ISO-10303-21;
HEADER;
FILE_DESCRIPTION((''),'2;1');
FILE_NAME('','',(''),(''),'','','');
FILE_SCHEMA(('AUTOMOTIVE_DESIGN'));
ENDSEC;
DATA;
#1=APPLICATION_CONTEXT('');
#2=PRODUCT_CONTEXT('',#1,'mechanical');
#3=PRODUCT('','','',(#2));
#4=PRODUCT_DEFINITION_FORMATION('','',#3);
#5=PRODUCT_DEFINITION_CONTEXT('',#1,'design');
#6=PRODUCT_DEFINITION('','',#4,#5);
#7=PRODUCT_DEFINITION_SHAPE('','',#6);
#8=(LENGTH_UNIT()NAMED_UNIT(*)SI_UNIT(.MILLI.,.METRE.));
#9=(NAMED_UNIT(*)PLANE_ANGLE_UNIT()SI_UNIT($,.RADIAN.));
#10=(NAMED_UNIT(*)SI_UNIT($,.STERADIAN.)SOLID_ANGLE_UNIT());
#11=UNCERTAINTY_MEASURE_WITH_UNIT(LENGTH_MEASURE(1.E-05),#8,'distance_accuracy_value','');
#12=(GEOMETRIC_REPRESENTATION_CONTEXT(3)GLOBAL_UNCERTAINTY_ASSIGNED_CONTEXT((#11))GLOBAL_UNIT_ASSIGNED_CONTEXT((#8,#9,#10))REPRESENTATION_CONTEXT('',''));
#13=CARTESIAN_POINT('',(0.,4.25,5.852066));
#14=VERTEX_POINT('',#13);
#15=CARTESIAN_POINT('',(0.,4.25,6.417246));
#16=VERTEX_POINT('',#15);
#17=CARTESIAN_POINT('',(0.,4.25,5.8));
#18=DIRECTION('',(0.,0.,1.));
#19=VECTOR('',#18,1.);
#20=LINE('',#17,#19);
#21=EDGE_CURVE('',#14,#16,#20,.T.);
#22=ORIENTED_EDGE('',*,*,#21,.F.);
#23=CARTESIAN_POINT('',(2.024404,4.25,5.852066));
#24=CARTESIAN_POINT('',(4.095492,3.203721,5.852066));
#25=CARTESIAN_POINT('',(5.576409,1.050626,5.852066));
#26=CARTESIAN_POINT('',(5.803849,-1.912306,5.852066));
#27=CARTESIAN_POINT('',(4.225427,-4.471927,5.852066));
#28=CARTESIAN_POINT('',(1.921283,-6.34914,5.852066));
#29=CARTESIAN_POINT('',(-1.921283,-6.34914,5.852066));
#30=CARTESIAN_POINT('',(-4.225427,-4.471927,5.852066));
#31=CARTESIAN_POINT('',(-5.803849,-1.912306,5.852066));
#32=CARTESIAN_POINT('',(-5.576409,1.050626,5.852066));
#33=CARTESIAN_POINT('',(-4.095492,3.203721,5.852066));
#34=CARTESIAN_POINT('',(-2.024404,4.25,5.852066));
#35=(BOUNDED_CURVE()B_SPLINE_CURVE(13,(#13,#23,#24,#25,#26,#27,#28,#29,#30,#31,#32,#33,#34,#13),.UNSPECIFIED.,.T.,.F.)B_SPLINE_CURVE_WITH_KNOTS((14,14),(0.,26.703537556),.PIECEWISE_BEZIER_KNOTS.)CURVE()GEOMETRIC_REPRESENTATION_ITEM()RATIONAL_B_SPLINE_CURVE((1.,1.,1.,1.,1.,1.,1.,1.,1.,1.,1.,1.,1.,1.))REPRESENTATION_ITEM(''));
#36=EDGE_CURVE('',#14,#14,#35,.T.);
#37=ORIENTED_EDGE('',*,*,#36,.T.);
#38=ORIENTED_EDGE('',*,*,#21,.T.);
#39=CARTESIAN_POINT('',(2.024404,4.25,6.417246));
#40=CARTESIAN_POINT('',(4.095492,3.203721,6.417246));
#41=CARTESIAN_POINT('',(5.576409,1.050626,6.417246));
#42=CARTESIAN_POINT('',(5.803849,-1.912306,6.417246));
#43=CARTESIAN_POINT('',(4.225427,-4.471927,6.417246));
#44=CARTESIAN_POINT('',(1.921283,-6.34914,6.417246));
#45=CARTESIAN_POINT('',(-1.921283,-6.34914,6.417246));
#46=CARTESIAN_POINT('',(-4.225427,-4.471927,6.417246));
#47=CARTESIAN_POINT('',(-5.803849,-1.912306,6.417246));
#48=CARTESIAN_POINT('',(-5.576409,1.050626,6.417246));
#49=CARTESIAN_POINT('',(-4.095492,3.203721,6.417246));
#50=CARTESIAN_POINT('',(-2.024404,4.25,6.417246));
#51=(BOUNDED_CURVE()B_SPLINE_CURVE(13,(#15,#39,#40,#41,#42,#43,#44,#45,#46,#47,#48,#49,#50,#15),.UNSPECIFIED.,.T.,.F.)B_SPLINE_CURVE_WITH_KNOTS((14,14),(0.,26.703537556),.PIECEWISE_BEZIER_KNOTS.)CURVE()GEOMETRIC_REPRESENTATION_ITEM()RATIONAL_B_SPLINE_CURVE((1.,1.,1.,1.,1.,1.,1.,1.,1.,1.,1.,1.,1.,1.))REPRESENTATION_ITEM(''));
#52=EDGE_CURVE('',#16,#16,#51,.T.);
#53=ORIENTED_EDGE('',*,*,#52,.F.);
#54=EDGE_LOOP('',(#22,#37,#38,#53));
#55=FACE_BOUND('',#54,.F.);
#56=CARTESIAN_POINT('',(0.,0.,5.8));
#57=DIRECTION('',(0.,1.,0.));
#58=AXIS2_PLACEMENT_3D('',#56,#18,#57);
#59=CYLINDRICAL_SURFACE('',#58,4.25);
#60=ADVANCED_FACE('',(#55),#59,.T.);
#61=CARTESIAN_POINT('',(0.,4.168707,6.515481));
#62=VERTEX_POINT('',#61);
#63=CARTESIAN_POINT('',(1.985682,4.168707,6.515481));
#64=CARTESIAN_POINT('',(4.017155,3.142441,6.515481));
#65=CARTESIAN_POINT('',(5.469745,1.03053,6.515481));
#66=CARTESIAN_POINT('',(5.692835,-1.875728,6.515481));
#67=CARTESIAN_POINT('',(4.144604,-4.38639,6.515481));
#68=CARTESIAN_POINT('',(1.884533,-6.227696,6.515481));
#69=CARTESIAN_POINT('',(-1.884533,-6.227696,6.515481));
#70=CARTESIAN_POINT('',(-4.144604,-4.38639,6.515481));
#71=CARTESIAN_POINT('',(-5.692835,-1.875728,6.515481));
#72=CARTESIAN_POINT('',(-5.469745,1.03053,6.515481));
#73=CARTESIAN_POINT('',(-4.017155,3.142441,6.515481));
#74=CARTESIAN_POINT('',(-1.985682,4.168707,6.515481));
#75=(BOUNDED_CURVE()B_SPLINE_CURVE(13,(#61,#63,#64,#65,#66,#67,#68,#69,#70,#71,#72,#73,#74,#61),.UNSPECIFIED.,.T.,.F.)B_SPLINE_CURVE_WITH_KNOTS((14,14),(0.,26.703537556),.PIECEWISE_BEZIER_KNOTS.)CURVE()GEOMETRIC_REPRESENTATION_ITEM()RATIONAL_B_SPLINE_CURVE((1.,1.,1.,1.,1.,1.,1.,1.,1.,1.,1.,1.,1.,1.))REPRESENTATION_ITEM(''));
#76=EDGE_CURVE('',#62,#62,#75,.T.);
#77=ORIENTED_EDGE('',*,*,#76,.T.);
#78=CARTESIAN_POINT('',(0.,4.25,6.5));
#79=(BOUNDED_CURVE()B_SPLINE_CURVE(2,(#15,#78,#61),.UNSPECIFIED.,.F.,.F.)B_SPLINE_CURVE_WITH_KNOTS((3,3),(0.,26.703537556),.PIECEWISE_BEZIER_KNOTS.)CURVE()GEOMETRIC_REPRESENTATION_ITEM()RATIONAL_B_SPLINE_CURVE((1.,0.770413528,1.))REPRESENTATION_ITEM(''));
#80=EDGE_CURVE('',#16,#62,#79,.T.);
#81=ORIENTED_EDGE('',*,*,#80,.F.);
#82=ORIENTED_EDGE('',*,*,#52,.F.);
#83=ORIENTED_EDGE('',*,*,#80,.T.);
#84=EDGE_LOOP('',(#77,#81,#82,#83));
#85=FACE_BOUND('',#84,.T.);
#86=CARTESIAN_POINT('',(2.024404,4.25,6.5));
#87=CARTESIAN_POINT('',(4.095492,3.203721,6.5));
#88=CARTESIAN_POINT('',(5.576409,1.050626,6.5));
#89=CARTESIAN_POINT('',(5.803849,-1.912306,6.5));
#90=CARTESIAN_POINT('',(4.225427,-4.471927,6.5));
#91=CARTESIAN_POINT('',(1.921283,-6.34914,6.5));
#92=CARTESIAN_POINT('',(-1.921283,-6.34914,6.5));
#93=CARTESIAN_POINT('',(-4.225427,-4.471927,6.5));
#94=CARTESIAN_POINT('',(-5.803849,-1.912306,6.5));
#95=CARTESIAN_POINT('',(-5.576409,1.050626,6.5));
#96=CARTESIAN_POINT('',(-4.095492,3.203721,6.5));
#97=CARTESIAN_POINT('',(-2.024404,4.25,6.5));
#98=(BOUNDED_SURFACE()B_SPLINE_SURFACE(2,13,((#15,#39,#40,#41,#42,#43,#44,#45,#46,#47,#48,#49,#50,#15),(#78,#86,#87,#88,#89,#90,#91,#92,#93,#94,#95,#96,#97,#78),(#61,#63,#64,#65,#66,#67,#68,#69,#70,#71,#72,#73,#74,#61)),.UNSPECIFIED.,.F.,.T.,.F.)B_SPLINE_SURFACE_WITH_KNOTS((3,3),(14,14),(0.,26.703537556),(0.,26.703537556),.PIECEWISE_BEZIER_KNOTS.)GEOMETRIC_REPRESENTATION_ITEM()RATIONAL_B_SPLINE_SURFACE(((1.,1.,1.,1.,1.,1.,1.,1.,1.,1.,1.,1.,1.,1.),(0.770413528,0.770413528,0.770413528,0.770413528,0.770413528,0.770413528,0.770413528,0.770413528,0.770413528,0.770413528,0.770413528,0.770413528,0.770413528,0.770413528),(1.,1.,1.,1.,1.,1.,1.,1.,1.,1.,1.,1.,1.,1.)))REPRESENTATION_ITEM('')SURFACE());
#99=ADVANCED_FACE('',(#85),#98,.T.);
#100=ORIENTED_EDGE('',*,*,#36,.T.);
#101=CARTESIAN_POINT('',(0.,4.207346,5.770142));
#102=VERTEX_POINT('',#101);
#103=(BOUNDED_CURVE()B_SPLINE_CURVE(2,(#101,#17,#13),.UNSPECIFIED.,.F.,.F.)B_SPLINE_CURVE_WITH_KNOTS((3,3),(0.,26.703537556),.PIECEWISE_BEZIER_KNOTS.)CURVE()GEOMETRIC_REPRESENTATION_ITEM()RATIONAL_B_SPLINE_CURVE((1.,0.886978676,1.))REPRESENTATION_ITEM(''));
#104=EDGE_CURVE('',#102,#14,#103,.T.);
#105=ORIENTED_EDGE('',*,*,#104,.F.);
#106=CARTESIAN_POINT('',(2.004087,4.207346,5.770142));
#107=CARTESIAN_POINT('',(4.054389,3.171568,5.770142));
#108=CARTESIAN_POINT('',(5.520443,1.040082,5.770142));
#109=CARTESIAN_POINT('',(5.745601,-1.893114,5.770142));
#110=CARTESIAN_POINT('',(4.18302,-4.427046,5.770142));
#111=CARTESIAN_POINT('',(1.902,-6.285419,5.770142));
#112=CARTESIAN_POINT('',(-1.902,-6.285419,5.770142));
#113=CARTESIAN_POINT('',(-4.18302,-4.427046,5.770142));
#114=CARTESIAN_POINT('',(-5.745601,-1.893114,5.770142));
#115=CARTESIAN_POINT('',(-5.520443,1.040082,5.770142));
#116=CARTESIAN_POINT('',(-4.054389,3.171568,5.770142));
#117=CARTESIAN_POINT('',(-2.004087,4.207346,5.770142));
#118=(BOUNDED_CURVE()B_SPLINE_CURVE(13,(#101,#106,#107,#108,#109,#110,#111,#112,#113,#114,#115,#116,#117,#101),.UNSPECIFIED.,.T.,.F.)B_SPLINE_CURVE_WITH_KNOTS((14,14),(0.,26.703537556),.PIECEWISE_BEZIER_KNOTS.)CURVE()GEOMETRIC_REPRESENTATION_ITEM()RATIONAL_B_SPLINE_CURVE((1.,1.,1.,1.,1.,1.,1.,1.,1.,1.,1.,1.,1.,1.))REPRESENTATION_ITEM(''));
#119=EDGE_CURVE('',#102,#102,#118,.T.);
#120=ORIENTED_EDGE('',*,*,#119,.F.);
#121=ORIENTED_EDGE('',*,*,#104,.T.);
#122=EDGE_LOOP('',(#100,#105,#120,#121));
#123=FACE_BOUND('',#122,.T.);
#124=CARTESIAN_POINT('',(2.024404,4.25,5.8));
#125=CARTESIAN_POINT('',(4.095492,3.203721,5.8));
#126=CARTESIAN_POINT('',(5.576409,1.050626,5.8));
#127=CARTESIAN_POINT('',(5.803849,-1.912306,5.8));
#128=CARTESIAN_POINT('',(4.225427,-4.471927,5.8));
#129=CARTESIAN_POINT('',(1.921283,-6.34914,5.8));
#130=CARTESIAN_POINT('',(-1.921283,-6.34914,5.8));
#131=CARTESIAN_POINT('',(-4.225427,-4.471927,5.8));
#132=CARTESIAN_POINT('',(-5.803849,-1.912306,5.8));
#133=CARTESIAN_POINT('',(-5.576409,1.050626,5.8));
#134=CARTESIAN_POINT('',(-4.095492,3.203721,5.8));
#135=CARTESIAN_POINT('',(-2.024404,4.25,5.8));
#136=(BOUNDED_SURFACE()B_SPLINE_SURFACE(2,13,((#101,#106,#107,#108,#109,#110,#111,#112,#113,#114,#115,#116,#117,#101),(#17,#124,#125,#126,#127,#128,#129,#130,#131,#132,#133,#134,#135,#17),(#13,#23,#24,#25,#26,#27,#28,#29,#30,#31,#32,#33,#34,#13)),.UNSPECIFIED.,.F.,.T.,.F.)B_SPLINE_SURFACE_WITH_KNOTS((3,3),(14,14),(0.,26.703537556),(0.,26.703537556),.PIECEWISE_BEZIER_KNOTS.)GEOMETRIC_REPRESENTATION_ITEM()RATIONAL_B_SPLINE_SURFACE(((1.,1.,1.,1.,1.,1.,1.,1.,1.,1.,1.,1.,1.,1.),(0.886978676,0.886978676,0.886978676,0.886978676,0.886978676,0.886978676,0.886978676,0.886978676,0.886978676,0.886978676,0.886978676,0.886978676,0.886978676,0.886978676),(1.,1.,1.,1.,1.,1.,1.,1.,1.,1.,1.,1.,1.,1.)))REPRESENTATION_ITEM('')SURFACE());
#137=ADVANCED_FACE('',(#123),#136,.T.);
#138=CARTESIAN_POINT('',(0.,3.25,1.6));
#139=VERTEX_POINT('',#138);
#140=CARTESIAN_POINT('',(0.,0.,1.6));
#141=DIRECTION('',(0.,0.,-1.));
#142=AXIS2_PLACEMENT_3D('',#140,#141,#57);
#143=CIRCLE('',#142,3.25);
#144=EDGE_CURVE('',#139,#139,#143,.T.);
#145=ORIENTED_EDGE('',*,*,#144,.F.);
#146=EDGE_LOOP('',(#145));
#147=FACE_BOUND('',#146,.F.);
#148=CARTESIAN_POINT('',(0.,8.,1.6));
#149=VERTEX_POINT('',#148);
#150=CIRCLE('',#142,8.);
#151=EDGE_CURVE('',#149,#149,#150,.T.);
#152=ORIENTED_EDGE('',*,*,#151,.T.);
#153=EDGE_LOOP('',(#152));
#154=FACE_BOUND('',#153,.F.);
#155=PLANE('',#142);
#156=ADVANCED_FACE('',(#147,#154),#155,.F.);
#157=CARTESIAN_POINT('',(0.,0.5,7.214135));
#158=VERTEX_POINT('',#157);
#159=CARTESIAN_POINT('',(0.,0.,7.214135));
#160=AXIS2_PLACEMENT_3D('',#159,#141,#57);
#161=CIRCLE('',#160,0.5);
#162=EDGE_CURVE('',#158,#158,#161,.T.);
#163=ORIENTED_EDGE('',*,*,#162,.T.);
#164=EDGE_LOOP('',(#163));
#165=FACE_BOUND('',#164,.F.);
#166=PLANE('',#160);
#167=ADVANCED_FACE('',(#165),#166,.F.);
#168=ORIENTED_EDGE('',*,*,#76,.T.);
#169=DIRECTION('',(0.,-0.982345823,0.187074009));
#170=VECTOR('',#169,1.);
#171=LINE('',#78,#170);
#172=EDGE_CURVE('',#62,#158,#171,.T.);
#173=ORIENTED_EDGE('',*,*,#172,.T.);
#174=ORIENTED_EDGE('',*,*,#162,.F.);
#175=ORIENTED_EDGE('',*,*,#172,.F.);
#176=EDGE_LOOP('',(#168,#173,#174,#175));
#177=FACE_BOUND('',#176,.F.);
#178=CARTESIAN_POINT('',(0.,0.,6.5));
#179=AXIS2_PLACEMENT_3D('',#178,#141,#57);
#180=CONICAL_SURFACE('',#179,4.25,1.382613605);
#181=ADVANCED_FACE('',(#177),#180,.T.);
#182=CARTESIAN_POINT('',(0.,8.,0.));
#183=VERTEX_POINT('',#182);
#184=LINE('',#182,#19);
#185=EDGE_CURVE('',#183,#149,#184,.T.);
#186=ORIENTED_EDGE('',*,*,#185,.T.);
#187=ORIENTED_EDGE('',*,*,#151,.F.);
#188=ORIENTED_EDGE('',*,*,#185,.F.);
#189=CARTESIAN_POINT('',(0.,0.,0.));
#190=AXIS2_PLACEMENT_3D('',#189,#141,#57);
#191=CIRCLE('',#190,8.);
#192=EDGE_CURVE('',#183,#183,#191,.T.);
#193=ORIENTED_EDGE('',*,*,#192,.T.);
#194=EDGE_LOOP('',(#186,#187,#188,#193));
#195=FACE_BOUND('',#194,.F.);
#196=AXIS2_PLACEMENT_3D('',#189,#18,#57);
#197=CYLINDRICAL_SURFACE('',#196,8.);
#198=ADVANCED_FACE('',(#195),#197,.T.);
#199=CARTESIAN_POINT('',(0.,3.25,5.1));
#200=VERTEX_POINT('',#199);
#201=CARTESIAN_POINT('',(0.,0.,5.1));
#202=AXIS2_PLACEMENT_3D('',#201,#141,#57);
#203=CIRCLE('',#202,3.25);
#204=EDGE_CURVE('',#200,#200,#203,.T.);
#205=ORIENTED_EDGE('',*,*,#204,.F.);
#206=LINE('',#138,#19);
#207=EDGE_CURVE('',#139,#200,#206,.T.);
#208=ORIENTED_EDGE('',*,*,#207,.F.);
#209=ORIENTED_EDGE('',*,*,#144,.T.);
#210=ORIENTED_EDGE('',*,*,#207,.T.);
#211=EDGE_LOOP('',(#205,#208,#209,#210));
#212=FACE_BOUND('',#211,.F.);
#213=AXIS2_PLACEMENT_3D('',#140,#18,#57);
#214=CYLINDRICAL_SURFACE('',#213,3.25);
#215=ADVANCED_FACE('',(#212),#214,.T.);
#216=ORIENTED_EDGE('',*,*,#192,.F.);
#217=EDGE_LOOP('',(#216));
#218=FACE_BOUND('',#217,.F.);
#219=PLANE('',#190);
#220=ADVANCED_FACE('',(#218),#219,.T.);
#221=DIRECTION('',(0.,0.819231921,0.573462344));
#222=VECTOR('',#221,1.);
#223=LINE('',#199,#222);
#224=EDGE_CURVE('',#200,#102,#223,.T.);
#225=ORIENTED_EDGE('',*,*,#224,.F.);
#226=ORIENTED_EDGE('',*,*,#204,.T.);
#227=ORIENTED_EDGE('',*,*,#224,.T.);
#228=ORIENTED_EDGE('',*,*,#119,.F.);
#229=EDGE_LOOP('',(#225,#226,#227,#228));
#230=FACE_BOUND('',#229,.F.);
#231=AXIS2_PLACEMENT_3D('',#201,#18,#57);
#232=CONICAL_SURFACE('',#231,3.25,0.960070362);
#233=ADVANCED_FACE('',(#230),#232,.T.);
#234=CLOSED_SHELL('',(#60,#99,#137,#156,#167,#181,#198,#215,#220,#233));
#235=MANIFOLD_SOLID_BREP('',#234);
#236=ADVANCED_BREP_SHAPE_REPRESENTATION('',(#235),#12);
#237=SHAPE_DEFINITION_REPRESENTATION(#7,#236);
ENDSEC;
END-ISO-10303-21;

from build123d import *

# Parameters (mm, degrees)
F2_R = 0.1


with BuildPart() as f1:
    # F0 (on Right) → F1 (revolve)
    with BuildSketch(Plane.YZ):
        Polygon((0, 7.214135), (0, 1.6), (3.25, 1.6), (3.25, 5.1), (4.25, 5.8), (4.25, 6.5), (0.5, 7.214135), align=None)
        Polygon((0, 1.6), (0, 0), (8, 0), (8, 1.6), (3.25, 1.6), align=None)
    revolve(axis=Axis((0, 0, 3.607068), (0, 0, -1)))

    # F2
    f2_edges = [f1.edges().sort_by_distance(p)[0] for p in [
        (0, -4.25, 6.5),
        (0, -4.25, 5.8),
    ]]
    fillet(f2_edges, radius=F2_R)


solid = f1.part
